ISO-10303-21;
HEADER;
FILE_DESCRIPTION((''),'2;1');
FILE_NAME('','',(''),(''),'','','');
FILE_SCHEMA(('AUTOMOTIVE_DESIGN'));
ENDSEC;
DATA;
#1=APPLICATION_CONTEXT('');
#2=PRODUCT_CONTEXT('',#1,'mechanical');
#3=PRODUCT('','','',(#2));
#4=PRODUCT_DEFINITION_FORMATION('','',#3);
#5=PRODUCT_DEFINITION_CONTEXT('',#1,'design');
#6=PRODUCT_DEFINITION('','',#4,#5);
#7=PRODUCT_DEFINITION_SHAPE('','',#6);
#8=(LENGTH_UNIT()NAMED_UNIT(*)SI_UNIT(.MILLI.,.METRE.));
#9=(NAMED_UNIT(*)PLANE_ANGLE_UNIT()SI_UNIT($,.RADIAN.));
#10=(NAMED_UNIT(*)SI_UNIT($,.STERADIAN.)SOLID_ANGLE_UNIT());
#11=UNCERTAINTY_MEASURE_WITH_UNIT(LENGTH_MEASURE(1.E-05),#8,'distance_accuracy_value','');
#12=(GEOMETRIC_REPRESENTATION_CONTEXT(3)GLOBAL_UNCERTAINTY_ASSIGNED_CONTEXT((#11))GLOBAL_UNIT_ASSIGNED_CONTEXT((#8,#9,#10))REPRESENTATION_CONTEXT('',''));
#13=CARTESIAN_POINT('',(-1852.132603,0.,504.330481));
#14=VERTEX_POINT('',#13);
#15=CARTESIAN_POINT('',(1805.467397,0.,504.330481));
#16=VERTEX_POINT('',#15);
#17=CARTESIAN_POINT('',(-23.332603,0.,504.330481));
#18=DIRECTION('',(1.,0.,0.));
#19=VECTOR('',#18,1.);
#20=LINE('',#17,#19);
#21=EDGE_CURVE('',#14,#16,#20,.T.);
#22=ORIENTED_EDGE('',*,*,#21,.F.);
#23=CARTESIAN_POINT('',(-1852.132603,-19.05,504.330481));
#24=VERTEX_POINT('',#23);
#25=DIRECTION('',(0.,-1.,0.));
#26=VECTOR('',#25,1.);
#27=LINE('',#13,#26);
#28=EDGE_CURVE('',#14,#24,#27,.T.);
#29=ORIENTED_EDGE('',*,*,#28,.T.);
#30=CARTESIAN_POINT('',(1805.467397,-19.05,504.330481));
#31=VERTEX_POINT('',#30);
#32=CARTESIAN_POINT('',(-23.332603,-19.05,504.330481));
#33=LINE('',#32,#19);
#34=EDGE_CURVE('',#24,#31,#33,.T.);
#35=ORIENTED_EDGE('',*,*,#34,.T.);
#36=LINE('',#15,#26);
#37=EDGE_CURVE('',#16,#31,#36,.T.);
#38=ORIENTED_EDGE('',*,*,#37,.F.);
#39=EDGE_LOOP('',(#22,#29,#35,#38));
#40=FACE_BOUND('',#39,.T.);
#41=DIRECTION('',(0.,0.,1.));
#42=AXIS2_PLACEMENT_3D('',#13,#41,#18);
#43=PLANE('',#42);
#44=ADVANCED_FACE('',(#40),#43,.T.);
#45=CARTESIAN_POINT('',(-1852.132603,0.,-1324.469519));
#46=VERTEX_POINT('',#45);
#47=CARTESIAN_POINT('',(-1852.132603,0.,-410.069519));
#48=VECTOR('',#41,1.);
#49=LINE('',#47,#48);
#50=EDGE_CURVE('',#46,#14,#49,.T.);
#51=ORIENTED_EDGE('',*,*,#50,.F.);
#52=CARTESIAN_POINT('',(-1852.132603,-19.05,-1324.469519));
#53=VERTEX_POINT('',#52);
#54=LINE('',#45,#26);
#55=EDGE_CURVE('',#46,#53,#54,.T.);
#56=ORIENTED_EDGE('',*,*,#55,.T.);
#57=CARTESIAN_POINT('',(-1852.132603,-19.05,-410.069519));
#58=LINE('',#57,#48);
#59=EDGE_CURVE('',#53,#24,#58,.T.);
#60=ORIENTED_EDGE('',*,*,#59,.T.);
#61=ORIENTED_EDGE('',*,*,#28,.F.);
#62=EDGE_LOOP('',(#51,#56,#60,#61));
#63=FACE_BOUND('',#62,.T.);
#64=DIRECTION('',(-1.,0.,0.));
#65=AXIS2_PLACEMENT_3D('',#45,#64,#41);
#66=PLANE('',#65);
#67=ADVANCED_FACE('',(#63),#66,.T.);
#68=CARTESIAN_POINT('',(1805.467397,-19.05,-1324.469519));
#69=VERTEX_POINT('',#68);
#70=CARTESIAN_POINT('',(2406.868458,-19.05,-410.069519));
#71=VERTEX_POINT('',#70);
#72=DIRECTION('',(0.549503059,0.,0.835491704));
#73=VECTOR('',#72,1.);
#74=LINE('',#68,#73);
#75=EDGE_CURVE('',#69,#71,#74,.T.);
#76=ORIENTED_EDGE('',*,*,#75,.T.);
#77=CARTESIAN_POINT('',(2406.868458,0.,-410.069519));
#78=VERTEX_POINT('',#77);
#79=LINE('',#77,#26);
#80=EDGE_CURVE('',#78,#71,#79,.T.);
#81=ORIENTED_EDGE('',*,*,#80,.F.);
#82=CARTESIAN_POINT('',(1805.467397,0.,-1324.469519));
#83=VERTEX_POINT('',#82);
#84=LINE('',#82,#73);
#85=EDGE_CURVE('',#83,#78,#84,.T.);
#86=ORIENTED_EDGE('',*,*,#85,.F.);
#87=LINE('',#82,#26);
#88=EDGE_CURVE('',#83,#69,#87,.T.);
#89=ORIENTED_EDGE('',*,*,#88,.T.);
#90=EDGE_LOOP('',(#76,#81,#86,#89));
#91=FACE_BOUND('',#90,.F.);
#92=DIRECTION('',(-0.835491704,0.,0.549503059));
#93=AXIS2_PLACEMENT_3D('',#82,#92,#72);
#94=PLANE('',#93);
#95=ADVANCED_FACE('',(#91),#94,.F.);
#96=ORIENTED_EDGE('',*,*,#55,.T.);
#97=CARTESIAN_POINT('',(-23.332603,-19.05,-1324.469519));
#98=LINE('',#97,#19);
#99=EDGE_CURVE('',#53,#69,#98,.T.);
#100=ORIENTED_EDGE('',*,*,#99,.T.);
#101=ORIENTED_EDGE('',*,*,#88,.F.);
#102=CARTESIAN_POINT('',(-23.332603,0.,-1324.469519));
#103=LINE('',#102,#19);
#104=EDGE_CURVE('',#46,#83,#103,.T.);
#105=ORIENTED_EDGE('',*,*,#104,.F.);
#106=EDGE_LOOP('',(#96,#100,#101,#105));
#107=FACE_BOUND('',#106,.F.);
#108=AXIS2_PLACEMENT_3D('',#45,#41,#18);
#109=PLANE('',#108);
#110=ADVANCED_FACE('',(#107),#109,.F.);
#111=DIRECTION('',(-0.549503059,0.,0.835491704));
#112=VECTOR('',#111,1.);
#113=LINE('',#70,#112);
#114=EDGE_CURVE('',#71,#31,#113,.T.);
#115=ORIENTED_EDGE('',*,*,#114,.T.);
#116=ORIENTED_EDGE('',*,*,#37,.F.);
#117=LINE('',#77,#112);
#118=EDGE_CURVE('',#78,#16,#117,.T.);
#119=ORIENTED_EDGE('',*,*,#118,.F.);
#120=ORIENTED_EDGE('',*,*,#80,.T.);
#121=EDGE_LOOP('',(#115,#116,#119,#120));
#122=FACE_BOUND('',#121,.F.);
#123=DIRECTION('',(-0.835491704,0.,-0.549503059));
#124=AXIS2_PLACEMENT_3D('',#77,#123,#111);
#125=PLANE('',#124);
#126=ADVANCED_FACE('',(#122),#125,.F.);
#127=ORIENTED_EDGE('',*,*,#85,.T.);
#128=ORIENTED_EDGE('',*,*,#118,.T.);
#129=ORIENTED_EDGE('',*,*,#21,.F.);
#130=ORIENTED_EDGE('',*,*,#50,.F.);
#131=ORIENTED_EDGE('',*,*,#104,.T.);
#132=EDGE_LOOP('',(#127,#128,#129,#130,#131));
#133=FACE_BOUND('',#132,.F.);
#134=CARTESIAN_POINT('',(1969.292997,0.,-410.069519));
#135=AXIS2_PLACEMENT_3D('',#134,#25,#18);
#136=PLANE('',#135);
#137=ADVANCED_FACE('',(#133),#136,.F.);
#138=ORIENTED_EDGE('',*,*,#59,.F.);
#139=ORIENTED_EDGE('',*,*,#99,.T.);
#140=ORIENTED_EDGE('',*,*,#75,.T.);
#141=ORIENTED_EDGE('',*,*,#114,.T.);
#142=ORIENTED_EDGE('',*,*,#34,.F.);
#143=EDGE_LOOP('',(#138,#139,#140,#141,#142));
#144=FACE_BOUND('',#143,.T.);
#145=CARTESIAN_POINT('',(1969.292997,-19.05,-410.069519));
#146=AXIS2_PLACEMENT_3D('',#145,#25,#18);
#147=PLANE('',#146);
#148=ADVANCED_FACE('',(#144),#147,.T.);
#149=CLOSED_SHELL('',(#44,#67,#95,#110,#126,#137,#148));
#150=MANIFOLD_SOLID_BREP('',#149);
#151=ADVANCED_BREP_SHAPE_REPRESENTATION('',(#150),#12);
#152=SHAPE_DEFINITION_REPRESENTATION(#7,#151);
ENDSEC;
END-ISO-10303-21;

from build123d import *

# Parameters (mm, degrees)
F0_W     = 3657.6
F0_H     = 1828.8
F1_DEPTH = 19.05


with BuildPart() as f1:
    # F0 (on Front) → F1 (new body)
    with BuildSketch(Plane.XZ):
        Polygon((2406.868458, -410.069519), (1805.467397, 504.330481), (1805.467397, -1324.469519), align=None)
        with Locations((-23.332603, -410.069519)):
            Rectangle(F0_W, F0_H)
    extrude(amount=F1_DEPTH)


solid = f1.part
